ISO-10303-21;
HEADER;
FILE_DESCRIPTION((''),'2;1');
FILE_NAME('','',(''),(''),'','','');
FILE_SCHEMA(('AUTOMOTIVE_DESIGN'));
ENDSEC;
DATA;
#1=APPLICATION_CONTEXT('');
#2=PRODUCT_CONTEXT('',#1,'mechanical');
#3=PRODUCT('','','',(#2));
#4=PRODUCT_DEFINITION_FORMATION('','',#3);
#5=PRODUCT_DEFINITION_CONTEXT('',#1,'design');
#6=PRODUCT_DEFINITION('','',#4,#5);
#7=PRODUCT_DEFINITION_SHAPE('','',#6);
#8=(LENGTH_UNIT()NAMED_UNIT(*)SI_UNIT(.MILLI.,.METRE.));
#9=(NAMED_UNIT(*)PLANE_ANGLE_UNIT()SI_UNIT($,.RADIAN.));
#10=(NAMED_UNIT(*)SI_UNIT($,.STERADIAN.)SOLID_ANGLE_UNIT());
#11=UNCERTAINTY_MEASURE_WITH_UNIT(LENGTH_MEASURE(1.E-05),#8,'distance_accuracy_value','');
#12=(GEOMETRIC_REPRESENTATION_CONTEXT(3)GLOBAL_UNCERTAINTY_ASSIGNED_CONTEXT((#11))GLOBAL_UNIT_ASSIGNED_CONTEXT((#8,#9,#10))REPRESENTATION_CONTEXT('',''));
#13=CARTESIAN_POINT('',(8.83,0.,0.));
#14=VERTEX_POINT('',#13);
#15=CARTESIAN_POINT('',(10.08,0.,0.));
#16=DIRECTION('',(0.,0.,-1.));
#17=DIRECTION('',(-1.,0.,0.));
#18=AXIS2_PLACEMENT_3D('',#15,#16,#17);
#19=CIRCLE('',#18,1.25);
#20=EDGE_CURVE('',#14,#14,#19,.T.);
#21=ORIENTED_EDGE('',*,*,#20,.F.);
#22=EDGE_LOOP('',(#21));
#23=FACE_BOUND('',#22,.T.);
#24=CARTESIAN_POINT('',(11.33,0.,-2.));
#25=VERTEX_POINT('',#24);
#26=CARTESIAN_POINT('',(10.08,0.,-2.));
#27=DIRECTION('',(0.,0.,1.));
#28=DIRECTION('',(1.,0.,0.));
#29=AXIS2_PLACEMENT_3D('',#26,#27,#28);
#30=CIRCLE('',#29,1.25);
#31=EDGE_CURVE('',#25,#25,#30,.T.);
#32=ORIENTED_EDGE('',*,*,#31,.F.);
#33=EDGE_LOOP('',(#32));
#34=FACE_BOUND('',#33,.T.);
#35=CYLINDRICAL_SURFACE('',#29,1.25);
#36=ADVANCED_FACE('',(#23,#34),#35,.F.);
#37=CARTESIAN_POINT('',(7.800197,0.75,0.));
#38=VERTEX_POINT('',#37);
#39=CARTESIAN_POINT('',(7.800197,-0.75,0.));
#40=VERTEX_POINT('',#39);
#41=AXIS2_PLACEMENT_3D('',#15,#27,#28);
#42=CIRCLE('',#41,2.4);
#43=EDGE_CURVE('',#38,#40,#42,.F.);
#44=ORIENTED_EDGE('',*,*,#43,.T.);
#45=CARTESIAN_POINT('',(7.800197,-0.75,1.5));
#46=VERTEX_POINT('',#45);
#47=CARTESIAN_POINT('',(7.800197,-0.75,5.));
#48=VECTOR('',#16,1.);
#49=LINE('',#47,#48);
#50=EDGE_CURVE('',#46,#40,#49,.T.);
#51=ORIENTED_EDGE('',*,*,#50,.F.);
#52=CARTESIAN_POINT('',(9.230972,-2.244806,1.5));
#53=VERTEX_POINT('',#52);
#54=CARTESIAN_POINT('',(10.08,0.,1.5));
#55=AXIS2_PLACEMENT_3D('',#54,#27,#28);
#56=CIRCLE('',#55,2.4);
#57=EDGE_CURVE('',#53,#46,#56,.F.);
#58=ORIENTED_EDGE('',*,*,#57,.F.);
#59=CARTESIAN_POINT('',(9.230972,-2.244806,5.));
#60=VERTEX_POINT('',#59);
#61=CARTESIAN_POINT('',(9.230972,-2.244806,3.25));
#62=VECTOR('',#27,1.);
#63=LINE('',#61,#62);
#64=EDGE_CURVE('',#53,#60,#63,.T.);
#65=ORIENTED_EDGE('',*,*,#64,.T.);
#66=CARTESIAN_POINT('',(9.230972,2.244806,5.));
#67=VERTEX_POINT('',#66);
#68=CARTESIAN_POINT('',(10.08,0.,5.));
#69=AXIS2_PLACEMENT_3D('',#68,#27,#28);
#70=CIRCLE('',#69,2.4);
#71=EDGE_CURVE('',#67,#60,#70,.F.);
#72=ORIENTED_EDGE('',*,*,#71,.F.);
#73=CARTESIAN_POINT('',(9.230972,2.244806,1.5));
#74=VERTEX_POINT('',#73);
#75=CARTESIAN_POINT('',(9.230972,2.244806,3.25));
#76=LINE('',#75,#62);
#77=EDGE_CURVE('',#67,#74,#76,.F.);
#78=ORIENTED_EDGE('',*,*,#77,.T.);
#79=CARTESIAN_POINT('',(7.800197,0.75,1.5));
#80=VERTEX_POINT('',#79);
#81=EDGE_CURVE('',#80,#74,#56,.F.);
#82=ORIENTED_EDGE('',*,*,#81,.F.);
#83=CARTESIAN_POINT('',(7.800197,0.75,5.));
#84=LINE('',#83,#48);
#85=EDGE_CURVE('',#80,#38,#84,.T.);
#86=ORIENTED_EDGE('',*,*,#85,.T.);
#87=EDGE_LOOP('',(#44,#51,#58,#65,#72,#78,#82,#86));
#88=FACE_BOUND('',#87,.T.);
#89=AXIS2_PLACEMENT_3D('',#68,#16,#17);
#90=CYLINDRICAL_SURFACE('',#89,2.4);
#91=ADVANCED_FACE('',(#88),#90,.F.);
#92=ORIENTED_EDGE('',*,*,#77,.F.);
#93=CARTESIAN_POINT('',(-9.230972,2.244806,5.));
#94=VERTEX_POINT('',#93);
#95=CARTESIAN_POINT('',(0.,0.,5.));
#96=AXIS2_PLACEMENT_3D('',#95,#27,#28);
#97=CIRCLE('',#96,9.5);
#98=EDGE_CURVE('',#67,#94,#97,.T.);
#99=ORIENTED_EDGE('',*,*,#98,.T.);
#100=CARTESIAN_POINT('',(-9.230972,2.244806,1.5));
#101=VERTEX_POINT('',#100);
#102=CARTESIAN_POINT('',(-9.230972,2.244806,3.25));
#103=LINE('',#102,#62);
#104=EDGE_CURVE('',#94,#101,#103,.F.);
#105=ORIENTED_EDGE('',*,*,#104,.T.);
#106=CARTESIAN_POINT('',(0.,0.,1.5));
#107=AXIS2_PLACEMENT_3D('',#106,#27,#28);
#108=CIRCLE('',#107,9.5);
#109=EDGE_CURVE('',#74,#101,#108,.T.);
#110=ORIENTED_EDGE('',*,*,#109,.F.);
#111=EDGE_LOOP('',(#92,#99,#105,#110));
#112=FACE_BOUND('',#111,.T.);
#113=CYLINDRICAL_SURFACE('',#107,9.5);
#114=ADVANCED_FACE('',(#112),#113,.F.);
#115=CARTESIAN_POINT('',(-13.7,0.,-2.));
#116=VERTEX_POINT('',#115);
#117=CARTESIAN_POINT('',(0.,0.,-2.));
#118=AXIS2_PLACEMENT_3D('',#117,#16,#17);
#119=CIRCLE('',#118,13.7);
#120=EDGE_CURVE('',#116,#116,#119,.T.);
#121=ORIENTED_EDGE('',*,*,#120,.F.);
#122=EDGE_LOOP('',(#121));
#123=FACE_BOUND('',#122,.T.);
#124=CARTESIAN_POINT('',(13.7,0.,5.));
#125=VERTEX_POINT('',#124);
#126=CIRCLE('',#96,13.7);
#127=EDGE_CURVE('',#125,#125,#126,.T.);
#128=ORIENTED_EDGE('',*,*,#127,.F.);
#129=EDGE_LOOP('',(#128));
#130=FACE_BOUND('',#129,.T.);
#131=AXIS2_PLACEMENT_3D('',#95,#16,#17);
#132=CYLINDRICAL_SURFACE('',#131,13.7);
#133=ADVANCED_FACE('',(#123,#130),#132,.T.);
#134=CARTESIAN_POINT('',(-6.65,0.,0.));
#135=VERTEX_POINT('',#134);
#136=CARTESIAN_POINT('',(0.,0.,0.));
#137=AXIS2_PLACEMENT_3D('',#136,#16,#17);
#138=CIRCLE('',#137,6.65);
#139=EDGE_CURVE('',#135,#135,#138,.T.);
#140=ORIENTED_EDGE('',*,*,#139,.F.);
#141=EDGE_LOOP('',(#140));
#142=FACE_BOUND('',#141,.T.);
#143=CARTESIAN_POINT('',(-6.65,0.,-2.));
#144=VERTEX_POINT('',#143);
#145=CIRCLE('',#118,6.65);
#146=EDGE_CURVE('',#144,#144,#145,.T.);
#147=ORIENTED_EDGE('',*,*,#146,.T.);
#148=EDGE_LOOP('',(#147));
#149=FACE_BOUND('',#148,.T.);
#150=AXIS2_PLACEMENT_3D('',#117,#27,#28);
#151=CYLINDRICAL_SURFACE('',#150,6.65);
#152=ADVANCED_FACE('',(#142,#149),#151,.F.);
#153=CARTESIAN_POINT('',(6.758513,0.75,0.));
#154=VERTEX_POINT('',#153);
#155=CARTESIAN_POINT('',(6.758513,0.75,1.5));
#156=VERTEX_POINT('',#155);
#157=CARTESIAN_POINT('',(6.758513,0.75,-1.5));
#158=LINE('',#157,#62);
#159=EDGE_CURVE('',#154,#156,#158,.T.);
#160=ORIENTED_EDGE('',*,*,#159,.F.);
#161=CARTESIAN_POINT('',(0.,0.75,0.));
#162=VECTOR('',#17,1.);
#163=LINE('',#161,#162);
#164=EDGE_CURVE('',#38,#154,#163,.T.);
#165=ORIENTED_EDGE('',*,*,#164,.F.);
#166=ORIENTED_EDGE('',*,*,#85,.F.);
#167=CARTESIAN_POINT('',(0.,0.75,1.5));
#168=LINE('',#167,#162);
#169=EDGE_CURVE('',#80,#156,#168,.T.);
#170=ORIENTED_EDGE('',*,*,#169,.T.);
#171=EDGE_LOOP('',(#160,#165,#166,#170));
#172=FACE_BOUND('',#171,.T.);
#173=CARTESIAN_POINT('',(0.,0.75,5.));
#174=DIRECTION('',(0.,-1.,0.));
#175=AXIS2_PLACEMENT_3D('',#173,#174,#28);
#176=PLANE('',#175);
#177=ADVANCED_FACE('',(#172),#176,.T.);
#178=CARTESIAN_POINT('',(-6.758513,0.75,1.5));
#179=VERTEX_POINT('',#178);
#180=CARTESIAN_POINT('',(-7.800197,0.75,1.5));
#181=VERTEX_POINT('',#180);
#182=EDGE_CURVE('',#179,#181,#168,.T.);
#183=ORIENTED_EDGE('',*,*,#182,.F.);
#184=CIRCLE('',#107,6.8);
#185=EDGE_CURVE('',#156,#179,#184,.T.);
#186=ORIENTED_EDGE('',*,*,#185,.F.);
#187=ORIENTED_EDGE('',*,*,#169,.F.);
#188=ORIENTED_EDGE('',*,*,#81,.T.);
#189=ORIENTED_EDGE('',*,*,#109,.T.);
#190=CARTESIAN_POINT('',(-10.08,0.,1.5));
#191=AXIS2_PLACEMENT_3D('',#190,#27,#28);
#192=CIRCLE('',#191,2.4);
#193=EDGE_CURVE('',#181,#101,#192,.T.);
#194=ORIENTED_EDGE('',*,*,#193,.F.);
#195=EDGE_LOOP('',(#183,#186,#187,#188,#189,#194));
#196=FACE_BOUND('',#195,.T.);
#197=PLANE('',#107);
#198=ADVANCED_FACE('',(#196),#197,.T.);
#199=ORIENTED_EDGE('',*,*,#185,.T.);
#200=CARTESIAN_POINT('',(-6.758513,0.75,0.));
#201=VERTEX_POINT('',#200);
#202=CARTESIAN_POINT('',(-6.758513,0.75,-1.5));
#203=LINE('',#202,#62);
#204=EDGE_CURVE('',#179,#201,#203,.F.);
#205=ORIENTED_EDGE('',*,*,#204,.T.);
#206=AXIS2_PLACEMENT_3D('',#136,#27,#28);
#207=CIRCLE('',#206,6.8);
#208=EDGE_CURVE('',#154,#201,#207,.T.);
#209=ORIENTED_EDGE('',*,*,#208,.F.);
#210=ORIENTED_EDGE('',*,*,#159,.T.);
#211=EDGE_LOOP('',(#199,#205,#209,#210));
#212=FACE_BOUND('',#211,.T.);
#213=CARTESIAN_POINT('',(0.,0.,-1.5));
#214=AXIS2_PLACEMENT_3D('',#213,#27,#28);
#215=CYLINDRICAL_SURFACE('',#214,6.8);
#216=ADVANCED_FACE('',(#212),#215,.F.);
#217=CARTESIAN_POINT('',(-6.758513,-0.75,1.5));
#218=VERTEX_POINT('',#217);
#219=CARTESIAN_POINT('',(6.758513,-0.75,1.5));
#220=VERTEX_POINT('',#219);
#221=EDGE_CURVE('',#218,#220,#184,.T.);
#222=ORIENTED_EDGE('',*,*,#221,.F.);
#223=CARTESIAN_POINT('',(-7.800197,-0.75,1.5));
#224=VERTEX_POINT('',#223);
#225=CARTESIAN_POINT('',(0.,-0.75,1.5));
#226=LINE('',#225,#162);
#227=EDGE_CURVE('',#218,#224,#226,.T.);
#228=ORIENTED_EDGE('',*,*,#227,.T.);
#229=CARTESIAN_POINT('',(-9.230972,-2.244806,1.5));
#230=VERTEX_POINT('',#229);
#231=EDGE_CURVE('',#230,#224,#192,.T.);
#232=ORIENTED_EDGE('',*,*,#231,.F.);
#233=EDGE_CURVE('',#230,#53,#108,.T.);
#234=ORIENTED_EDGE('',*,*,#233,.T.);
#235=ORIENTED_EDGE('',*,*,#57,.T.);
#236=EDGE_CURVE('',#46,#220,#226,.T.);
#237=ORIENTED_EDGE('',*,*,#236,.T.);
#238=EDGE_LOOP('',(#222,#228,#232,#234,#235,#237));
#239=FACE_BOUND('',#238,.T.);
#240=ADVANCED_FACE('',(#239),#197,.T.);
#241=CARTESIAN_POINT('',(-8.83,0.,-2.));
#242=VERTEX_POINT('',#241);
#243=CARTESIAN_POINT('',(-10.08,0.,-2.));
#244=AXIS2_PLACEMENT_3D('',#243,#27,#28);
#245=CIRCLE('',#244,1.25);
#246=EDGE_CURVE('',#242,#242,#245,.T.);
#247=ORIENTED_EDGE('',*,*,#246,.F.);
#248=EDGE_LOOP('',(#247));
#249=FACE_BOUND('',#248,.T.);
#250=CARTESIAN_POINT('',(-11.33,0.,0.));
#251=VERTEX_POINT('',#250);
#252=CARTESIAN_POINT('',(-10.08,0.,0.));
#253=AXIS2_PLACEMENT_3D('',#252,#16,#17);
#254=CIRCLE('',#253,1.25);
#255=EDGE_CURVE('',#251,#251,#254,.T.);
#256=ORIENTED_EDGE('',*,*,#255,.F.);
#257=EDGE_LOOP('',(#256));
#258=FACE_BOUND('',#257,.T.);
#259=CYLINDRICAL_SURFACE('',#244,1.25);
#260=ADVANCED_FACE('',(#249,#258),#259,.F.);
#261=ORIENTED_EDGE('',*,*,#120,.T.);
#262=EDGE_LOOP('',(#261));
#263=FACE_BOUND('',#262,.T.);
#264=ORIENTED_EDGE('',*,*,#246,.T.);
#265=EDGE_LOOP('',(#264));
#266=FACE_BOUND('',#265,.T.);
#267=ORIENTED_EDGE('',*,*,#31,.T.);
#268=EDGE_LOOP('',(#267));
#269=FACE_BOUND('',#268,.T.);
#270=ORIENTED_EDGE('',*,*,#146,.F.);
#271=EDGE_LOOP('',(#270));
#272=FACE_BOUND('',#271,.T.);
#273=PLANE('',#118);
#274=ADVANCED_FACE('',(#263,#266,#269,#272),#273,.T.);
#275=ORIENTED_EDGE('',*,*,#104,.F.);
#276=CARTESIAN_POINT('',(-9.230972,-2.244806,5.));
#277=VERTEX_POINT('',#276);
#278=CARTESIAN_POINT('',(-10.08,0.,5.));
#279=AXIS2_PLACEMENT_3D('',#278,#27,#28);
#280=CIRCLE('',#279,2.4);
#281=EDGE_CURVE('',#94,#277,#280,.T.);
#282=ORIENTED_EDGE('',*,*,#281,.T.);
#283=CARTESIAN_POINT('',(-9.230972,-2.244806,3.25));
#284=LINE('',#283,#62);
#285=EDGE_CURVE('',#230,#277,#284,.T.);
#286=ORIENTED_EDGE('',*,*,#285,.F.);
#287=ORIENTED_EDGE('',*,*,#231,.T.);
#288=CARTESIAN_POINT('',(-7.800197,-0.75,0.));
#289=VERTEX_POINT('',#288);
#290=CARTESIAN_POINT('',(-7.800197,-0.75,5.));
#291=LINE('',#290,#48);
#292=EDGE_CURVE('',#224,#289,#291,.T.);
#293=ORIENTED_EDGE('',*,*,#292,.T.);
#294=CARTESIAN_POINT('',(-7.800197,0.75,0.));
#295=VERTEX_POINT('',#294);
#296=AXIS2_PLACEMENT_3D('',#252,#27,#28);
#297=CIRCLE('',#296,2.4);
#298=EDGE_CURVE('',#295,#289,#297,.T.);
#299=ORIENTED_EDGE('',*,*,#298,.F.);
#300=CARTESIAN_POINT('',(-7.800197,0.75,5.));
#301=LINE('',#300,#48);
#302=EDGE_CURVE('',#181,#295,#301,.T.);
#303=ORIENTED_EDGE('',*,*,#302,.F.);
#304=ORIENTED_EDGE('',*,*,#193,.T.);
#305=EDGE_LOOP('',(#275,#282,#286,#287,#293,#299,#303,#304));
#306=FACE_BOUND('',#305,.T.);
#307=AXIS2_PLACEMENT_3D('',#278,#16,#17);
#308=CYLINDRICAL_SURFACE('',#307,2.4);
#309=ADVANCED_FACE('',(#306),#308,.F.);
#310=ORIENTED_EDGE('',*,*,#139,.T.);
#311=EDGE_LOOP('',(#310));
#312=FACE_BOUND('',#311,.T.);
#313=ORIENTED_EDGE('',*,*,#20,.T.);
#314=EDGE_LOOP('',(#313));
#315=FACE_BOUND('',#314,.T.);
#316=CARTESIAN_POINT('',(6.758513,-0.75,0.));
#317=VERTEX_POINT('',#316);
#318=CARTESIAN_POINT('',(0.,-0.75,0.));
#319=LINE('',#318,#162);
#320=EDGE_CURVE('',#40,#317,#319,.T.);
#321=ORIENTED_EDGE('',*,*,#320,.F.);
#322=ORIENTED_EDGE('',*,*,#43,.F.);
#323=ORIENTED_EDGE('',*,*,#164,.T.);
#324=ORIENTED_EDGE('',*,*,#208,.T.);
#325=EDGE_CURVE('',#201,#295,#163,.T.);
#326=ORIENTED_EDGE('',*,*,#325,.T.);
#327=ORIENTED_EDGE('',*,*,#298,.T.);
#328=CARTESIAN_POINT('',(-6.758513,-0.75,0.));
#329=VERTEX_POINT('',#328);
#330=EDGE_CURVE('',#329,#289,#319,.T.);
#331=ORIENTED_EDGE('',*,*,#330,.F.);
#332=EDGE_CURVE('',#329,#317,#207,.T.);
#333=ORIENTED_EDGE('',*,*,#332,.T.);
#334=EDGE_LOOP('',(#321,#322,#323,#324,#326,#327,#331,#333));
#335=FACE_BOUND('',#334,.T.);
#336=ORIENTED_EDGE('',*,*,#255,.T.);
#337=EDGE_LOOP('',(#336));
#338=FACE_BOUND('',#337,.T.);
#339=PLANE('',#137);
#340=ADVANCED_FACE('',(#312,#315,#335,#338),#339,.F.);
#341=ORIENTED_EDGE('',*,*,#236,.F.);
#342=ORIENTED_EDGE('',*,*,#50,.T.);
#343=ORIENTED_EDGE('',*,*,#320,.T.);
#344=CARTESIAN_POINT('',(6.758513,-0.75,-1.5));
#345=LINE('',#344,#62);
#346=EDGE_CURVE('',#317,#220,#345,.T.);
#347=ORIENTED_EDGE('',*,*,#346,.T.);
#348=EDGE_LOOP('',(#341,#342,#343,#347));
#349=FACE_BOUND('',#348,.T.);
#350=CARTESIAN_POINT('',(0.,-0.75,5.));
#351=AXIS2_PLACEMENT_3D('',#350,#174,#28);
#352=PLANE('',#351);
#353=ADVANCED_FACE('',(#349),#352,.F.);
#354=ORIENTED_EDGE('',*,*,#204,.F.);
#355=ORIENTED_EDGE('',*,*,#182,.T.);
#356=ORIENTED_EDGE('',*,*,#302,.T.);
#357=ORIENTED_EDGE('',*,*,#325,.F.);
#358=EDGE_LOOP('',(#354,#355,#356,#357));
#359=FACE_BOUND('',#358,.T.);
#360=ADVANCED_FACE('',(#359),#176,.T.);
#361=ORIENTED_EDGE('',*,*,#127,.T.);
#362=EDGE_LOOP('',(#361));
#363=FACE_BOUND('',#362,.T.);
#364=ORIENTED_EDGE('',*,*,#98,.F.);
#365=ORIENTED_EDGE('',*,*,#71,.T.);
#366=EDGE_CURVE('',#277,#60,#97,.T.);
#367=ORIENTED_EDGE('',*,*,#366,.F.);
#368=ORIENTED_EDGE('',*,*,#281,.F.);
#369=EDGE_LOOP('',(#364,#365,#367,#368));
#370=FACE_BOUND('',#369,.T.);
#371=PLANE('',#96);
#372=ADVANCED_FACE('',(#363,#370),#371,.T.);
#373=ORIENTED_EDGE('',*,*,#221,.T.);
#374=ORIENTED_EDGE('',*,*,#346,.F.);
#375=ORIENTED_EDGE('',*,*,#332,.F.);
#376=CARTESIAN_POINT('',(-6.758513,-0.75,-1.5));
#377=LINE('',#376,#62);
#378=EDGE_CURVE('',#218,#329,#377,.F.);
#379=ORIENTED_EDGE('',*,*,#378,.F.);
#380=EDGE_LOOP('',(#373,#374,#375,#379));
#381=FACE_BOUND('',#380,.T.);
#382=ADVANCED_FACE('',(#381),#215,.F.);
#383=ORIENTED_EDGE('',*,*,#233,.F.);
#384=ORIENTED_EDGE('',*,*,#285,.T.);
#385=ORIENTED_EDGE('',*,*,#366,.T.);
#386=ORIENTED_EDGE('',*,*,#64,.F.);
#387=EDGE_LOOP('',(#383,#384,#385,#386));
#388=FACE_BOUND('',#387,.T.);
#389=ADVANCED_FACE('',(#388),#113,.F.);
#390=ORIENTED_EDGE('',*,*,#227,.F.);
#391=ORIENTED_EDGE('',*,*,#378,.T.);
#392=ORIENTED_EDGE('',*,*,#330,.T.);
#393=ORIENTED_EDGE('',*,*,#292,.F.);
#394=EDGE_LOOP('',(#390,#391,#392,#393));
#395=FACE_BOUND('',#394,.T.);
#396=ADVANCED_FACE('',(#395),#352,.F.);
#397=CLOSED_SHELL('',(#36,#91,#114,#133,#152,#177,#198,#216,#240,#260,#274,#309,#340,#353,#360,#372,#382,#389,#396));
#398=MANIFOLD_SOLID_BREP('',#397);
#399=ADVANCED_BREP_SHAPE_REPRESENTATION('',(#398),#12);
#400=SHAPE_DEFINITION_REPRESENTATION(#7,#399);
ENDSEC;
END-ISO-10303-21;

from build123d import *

# Parameters (mm, degrees)
CROQUIS1_R              = 13.7
SALIENTE_EXTRUIR1_DEPTH = 5
CROQUIS2_R              = 9.5
CORTAR_EXTRUIR1_DEPTH   = 3.5
CROQUIS3_R              = 6.8
CORTAR_EXTRUIR2_DEPTH   = 3
SALIENTE_EXTRUIR2_START = 2
CROQUIS4_R              = 13.7
CROQUIS4_R_2            = 6.65
SALIENTE_EXTRUIR2_DEPTH = 2
CROQUIS5_R              = 1.25
CORTAR_EXTRUIR3_DEPTH   = 21.600485431


with BuildPart() as part:
    # Croquis1 → Saliente-Extruir1 (new body)
    with BuildSketch(Plane.XY):
        Circle(CROQUIS1_R)
        with BuildLine():
            Line((0, 0.75), (7.800197377, 0.75))
            ThreePointArc((7.800197377, 0.75), (10.459785271, 2.369760146), (12.48, 0))
            ThreePointArc((12.48, 0), (10.459785271, -2.369760146), (7.800197377, -0.75))
            Line((7.800197377, -0.75), (0, -0.75))
            Line((0, -0.75), (-7.800197377, -0.75))
            ThreePointArc((-7.800197377, -0.75), (-12.48, 0), (-7.800197377, 0.75))
            Line((-7.800197377, 0.75), (0, 0.75))
        make_face(mode=Mode.SUBTRACT)
    extrude(amount=SALIENTE_EXTRUIR1_DEPTH)

    # Croquis2 → Cortar-Extruir1 (cut)
    with BuildSketch(Plane.XY.offset(5)):
        Circle(CROQUIS2_R)
    extrude(amount=-CORTAR_EXTRUIR1_DEPTH, mode=Mode.SUBTRACT)

    # Croquis3 → Cortar-Extruir2 (cut)
    with BuildSketch(Plane.XY.offset(1.5)):
        Circle(CROQUIS3_R)
    extrude(amount=-CORTAR_EXTRUIR2_DEPTH, mode=Mode.SUBTRACT)

    # Croquis4 → Saliente-Extruir2 (add)
    with BuildSketch(Plane(origin=(0, 0, 0), x_dir=(-1, 0, 0), z_dir=(0, 0, -1)).offset(SALIENTE_EXTRUIR2_START)):
        Circle(CROQUIS4_R)
        Circle(CROQUIS4_R_2, mode=Mode.SUBTRACT)
    extrude(amount=-SALIENTE_EXTRUIR2_DEPTH)

    # Croquis5 → Cortar-Extruir3 (cut, through all)
    with BuildSketch(Plane.XY.offset(5)):
        with Locations((-10.08, 0)):
            Circle(CROQUIS5_R)
        with Locations((10.08, 0)):
            Circle(CROQUIS5_R)
    extrude(amount=-CORTAR_EXTRUIR3_DEPTH, mode=Mode.SUBTRACT)


solid = part.part
